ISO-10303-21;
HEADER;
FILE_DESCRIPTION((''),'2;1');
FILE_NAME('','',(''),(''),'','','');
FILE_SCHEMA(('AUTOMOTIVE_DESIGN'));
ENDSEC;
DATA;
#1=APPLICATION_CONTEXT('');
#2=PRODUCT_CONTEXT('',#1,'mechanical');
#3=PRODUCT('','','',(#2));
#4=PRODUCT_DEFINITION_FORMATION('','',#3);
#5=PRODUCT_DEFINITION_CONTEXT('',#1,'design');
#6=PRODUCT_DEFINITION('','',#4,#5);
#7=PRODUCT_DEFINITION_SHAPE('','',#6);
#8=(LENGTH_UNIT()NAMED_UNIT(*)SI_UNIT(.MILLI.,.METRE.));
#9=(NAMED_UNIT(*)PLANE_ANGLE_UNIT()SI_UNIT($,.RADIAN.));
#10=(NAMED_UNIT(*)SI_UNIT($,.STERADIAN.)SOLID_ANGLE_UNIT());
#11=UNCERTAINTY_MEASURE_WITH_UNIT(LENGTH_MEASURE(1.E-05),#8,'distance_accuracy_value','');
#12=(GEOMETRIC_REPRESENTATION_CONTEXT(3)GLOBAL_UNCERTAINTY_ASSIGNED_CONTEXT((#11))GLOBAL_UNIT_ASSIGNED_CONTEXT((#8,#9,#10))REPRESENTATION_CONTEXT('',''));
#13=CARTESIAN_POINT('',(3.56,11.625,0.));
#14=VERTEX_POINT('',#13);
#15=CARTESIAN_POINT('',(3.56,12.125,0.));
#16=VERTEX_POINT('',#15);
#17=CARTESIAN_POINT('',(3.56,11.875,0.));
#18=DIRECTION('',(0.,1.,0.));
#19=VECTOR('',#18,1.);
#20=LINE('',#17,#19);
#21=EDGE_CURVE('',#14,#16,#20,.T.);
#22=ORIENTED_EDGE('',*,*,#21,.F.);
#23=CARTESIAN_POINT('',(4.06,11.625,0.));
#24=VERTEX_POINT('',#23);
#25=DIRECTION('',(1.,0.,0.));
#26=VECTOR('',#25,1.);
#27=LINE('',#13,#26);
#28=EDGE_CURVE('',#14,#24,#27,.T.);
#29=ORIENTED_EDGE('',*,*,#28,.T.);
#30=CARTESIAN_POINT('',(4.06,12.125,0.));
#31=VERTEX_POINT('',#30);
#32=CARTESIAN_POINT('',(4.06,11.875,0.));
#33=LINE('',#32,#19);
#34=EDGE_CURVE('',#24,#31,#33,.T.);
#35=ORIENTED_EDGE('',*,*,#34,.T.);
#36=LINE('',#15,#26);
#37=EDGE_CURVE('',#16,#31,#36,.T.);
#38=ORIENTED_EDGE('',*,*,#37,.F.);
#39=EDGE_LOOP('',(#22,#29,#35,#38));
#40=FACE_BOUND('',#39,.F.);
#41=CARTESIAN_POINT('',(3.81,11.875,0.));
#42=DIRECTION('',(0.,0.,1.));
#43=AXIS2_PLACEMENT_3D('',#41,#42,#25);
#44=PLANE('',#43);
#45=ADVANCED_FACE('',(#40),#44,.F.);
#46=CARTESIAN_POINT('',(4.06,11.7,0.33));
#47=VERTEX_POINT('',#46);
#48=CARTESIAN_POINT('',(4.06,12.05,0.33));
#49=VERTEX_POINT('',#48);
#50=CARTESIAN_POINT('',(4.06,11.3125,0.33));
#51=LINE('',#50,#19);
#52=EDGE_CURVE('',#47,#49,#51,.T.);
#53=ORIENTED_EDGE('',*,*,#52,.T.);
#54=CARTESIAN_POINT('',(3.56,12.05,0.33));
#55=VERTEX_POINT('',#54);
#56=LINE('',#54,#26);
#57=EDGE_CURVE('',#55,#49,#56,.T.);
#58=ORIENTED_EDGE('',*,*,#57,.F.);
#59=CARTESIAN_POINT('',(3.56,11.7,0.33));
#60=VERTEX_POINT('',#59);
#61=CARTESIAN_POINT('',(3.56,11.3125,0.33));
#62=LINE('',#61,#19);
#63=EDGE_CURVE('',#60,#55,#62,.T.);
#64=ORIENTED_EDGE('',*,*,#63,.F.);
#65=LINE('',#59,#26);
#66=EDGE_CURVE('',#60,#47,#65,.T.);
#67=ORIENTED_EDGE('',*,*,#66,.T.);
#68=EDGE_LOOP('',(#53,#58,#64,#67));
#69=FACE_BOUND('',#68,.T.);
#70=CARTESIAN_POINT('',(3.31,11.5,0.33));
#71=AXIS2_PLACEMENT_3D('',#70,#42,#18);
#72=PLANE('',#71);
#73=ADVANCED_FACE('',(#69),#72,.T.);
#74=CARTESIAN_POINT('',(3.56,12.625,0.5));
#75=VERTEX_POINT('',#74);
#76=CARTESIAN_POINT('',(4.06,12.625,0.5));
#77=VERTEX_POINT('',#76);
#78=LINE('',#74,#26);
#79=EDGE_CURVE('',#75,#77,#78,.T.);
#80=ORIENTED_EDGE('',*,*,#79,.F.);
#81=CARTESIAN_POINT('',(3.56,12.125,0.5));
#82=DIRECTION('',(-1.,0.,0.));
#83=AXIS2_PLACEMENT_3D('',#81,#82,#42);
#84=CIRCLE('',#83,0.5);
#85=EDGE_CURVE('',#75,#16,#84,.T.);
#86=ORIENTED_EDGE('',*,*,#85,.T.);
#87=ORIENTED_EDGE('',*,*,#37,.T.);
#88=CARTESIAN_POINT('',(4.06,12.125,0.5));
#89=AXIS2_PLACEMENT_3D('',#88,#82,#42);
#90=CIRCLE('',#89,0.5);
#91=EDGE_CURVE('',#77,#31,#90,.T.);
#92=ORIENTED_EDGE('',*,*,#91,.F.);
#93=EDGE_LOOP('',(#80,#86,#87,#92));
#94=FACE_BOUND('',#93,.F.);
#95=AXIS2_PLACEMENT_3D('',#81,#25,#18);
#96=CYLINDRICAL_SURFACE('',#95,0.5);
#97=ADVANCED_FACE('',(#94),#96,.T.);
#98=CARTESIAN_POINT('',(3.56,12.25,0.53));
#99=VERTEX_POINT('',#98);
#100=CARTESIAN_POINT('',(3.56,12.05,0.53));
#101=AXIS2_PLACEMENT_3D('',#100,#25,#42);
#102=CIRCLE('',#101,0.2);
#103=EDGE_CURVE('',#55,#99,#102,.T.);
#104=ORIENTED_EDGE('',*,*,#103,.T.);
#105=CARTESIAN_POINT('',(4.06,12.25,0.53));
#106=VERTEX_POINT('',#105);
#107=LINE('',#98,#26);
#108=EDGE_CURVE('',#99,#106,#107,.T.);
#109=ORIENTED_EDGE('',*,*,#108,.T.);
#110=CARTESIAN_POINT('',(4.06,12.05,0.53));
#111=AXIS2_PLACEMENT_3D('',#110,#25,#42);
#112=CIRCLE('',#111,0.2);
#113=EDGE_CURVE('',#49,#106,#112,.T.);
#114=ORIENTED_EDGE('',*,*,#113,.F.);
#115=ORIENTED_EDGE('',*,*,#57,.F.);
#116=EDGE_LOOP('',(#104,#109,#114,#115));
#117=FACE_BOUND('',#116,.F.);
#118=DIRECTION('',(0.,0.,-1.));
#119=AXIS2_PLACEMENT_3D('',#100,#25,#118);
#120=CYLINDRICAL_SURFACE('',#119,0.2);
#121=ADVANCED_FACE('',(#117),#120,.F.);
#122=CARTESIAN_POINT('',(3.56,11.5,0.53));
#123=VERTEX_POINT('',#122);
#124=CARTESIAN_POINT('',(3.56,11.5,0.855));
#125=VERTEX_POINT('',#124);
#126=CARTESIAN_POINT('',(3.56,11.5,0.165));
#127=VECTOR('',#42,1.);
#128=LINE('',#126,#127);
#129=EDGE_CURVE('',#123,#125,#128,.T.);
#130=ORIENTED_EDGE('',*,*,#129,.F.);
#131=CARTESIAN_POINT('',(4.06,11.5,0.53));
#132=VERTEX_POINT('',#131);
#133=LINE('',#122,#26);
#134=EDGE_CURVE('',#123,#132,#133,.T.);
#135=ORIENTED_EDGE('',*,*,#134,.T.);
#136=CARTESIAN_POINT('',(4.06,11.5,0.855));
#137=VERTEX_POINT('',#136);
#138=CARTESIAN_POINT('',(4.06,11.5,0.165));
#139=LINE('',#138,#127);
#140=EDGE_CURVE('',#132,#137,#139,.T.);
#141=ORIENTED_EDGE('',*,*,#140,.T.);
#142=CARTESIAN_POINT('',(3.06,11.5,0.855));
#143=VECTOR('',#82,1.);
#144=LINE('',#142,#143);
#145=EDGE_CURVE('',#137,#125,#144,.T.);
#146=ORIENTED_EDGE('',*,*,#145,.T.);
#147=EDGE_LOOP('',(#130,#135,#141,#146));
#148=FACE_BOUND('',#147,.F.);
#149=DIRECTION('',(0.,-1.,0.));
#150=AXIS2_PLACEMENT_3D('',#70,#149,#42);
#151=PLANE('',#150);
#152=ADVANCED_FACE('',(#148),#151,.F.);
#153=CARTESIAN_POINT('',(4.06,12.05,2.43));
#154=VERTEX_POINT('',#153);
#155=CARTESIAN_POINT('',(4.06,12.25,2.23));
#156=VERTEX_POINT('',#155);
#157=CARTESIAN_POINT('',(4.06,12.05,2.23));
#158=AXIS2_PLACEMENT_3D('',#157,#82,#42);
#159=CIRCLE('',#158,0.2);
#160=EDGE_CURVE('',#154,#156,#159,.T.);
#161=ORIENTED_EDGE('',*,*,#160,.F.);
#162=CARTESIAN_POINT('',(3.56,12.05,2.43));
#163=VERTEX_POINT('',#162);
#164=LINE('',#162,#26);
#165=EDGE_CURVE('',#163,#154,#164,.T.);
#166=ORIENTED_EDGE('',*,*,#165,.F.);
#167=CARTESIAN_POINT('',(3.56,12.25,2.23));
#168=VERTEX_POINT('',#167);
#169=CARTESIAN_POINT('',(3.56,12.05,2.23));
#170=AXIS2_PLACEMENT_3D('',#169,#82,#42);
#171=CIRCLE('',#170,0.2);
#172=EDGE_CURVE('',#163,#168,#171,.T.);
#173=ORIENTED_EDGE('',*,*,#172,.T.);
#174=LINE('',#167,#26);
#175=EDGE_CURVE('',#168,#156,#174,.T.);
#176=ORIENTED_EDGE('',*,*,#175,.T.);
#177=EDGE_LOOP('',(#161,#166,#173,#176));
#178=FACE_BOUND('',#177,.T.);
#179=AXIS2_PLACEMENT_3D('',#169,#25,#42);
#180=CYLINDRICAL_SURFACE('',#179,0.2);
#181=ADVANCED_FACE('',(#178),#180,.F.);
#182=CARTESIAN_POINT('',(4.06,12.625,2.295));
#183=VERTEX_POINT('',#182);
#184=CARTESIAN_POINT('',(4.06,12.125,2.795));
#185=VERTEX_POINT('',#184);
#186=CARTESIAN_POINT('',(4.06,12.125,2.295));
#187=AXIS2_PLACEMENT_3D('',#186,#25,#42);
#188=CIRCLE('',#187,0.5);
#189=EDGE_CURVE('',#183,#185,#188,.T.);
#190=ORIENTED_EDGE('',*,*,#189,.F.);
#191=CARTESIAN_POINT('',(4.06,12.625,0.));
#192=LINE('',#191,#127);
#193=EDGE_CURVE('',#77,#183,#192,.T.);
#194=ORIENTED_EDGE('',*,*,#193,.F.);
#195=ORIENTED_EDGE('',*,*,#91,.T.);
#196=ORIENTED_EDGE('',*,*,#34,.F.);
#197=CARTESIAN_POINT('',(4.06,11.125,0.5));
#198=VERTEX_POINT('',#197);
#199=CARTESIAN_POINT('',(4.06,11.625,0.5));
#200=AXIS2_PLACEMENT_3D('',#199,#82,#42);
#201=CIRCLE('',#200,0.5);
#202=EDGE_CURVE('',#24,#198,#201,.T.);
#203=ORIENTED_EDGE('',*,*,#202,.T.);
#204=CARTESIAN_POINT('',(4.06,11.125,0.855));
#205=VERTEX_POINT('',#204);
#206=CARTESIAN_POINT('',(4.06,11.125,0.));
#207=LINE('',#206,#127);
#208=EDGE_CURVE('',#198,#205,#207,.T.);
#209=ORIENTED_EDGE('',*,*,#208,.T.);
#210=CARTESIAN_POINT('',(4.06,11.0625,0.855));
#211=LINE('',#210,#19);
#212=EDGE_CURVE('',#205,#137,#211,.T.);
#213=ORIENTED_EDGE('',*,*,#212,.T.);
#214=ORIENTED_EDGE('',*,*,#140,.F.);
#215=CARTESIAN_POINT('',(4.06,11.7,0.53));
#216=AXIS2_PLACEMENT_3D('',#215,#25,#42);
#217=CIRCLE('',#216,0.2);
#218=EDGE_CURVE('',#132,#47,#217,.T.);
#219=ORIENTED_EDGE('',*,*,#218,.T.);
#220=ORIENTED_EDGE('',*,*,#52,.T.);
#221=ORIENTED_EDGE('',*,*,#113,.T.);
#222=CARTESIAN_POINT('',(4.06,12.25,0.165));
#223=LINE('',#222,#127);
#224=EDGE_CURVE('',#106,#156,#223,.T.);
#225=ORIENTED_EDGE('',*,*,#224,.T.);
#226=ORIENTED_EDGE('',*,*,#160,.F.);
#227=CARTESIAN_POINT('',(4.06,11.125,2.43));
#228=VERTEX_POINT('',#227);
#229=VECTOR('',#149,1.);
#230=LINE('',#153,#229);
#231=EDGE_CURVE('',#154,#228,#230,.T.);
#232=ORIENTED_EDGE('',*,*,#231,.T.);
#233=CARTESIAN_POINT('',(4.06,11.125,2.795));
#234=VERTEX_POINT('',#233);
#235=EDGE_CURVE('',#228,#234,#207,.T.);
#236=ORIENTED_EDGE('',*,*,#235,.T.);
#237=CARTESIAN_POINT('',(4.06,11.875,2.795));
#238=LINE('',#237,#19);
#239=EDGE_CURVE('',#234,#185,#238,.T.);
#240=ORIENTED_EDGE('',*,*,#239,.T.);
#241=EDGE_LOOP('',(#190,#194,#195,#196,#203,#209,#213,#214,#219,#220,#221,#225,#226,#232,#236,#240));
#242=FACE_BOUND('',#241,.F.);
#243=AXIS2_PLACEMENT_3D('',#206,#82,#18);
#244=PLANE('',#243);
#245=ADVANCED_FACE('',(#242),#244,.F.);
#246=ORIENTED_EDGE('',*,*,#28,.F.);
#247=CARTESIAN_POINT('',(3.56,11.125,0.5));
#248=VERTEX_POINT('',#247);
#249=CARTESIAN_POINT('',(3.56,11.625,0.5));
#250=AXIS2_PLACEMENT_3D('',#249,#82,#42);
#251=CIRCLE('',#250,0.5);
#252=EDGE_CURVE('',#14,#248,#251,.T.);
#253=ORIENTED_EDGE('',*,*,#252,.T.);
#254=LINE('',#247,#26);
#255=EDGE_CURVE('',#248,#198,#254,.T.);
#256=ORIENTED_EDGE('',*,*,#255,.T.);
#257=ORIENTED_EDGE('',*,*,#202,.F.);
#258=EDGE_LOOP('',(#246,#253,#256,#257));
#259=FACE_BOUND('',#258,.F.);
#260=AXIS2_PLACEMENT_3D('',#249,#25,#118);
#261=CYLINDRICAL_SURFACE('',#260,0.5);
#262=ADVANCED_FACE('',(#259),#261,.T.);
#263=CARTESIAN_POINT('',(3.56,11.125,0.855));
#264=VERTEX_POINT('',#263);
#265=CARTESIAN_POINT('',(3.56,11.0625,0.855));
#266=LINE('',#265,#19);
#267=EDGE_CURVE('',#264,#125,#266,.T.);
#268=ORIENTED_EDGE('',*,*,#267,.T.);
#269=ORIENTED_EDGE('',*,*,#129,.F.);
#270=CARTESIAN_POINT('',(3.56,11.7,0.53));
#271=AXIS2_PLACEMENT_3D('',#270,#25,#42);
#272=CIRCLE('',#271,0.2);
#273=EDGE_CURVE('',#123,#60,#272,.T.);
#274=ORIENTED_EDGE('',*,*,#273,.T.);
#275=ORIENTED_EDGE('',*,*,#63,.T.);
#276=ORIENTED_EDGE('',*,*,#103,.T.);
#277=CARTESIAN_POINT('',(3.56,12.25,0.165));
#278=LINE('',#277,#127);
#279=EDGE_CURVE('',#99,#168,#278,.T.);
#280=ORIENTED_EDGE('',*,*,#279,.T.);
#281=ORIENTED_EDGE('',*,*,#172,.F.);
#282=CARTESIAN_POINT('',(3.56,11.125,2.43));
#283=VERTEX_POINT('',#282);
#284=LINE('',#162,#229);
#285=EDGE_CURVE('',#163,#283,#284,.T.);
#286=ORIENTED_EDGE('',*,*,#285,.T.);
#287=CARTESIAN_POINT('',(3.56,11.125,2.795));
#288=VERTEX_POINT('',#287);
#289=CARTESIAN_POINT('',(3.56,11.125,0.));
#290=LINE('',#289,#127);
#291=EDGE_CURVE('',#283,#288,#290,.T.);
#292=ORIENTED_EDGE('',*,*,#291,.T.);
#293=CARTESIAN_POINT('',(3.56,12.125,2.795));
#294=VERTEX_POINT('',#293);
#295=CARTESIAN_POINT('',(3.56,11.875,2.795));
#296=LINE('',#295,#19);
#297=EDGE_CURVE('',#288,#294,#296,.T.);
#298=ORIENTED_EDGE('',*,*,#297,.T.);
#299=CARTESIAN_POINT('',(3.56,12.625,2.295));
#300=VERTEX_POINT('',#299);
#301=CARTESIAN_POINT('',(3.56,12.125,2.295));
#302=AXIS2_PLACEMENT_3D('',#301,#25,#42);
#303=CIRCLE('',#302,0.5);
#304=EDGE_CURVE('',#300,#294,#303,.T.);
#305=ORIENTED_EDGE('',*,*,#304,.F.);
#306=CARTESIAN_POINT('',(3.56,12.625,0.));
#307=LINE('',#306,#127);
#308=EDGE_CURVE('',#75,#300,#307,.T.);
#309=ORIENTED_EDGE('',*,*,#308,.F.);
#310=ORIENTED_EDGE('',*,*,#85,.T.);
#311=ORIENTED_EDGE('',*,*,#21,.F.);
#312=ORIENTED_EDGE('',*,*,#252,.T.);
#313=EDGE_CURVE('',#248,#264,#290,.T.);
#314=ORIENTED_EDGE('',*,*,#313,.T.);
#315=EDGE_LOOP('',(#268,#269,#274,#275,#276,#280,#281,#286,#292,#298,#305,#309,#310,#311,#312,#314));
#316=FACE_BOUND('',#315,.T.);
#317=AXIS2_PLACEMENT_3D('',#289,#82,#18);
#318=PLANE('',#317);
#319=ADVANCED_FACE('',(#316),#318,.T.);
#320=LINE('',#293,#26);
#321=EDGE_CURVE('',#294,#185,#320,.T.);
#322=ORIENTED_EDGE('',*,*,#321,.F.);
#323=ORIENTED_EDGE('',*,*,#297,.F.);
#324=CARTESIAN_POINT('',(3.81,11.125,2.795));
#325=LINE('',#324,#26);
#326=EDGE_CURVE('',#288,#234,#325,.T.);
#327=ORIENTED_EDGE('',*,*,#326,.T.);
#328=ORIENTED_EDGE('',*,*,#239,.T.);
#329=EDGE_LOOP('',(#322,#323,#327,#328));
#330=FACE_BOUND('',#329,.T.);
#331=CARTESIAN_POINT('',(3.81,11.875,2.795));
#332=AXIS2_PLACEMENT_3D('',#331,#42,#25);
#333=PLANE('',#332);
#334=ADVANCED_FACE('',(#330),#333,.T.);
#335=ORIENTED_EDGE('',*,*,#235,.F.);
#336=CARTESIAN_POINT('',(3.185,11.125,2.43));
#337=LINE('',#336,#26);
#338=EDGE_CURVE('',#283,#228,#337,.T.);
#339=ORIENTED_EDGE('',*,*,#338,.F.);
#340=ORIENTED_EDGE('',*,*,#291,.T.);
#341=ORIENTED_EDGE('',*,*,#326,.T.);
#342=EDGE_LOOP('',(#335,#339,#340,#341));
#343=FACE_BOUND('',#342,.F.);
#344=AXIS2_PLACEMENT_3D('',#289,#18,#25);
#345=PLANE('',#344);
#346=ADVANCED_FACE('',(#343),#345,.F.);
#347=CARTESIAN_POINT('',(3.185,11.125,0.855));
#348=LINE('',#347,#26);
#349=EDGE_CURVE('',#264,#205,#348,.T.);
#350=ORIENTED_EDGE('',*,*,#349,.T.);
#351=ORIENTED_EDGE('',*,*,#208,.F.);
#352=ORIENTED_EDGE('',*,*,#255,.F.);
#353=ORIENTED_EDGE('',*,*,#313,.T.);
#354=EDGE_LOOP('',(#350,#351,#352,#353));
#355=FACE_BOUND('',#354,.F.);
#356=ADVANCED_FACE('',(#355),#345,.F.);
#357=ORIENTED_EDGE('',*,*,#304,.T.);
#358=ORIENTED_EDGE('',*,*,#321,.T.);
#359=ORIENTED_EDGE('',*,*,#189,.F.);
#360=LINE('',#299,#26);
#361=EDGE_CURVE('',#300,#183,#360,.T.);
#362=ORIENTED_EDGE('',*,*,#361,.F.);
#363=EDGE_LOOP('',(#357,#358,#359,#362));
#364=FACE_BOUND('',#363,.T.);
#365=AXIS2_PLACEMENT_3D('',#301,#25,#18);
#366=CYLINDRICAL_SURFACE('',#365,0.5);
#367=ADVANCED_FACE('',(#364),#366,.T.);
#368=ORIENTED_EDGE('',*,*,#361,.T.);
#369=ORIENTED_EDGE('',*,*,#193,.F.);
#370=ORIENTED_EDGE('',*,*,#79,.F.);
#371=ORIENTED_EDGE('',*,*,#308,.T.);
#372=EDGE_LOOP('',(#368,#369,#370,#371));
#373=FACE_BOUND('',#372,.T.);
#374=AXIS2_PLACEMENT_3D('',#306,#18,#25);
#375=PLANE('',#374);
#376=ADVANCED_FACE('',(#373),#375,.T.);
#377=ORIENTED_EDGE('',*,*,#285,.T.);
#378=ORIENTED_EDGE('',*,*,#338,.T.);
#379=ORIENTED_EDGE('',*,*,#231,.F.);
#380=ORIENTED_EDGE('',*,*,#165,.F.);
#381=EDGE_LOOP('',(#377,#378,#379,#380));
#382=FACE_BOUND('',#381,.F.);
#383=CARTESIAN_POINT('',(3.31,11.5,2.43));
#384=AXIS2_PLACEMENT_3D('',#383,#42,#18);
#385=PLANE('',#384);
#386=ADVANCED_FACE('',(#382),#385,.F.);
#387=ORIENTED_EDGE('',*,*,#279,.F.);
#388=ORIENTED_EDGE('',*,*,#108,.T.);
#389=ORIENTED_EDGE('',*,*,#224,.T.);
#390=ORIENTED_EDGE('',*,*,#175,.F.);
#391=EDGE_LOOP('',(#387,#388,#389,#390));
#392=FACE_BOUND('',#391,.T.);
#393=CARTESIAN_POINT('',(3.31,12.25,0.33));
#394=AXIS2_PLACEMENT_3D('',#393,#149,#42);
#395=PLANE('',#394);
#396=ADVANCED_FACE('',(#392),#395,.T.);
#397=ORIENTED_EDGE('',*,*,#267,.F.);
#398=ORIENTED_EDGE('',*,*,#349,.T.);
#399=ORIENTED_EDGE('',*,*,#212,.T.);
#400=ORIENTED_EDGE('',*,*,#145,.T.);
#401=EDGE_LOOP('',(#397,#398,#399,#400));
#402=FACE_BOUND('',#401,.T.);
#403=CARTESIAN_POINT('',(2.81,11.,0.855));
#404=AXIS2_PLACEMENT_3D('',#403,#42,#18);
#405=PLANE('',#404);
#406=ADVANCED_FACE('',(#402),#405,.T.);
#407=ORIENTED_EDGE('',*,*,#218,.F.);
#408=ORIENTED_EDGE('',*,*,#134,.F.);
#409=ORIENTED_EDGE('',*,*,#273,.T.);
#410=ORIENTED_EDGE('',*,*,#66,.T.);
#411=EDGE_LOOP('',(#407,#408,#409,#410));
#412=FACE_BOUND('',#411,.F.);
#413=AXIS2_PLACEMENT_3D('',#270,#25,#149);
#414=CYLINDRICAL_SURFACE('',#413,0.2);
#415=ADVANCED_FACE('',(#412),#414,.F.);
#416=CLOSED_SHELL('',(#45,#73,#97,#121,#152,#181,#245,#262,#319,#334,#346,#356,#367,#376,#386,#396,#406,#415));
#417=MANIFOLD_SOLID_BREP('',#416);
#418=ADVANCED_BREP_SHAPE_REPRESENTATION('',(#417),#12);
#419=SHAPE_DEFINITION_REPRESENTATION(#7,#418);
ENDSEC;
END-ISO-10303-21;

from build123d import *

# Parameters (mm, degrees)
BOX011_W     = 0.5
BOX011_H     = 1.5
BOX011_DEPTH = 2.795
FILLET024_R  = 0.5
FILLET026_R  = 0.5
FILLET023_R  = 0.5
BOX010_W     = 0.75
BOX010_H     = 2.1
BOX010_DEPTH = 1
FILLET025_R  = 0.2
FILLET027_R  = 0.2
FILLET021_R  = 0.2
FILLET022_R  = 0.2
BOX012_W     = 1
BOX012_H     = 1.575
BOX012_DEPTH = 3


with BuildPart() as part:
    # Box011 → Box011 (join)
    with BuildSketch(Plane(origin=(-0.25, 11.125, 0), x_dir=(1, 0, 0), z_dir=(0, 0, 1))):
        with Locations((0.25, 0.75)):
            Rectangle(BOX011_W, BOX011_H)
    extrude(amount=BOX011_DEPTH)

    # Fillet024
    fillet024_edges = [part.edges().sort_by_distance(p)[0] for p in [
        (0, 12.625, 0),
    ]]
    fillet(fillet024_edges, radius=FILLET024_R)

    # Fillet026
    fillet026_edges = [part.edges().sort_by_distance(p)[0] for p in [
        (0, 12.625, 2.795),
    ]]
    fillet(fillet026_edges, radius=FILLET026_R)

    # Fillet023
    fillet023_edges = [part.edges().sort_by_distance(p)[0] for p in [
        (0, 11.125, 0),
    ]]
    fillet(fillet023_edges, radius=FILLET023_R)

    # Box010 → Box010 (cut)
    with BuildSketch(Plane(origin=(-0.5, 11.5, 0.33), x_dir=(0, 1, 0), z_dir=(1, 0, 0))):
        with Locations((0.375, 1.05)):
            Rectangle(BOX010_W, BOX010_H)
    extrude(amount=BOX010_DEPTH, mode=Mode.SUBTRACT)

    # Fillet025
    fillet025_edges = [part.edges().sort_by_distance(p)[0] for p in [
        (0, 11.5, 0.33),
    ]]
    fillet(fillet025_edges, radius=FILLET025_R)

    # Fillet027
    fillet027_edges = [part.edges().sort_by_distance(p)[0] for p in [
        (0, 12.25, 0.33),
    ]]
    fillet(fillet027_edges, radius=FILLET027_R)

    # Fillet021
    fillet021_edges = [part.edges().sort_by_distance(p)[0] for p in [
        (0, 11.5, 2.43),
    ]]
    fillet(fillet021_edges, radius=FILLET021_R)

    # Fillet022
    fillet022_edges = [part.edges().sort_by_distance(p)[0] for p in [
        (0, 12.25, 2.43),
    ]]
    fillet(fillet022_edges, radius=FILLET022_R)

    # Box012 → Box012 (cut)
    with BuildSketch(Plane(origin=(-1, 11, 0.855), x_dir=(0, 1, 0), z_dir=(1, 0, 0))):
        with Locations((0.5, 0.7875)):
            Rectangle(BOX012_W, BOX012_H)
    extrude(amount=BOX012_DEPTH, mode=Mode.SUBTRACT)


with BuildPart() as part_1:
    # Body004 placement: moved
    add(part.part.moved(Location((3.81, 0, 0))))


solid = part_1.part
